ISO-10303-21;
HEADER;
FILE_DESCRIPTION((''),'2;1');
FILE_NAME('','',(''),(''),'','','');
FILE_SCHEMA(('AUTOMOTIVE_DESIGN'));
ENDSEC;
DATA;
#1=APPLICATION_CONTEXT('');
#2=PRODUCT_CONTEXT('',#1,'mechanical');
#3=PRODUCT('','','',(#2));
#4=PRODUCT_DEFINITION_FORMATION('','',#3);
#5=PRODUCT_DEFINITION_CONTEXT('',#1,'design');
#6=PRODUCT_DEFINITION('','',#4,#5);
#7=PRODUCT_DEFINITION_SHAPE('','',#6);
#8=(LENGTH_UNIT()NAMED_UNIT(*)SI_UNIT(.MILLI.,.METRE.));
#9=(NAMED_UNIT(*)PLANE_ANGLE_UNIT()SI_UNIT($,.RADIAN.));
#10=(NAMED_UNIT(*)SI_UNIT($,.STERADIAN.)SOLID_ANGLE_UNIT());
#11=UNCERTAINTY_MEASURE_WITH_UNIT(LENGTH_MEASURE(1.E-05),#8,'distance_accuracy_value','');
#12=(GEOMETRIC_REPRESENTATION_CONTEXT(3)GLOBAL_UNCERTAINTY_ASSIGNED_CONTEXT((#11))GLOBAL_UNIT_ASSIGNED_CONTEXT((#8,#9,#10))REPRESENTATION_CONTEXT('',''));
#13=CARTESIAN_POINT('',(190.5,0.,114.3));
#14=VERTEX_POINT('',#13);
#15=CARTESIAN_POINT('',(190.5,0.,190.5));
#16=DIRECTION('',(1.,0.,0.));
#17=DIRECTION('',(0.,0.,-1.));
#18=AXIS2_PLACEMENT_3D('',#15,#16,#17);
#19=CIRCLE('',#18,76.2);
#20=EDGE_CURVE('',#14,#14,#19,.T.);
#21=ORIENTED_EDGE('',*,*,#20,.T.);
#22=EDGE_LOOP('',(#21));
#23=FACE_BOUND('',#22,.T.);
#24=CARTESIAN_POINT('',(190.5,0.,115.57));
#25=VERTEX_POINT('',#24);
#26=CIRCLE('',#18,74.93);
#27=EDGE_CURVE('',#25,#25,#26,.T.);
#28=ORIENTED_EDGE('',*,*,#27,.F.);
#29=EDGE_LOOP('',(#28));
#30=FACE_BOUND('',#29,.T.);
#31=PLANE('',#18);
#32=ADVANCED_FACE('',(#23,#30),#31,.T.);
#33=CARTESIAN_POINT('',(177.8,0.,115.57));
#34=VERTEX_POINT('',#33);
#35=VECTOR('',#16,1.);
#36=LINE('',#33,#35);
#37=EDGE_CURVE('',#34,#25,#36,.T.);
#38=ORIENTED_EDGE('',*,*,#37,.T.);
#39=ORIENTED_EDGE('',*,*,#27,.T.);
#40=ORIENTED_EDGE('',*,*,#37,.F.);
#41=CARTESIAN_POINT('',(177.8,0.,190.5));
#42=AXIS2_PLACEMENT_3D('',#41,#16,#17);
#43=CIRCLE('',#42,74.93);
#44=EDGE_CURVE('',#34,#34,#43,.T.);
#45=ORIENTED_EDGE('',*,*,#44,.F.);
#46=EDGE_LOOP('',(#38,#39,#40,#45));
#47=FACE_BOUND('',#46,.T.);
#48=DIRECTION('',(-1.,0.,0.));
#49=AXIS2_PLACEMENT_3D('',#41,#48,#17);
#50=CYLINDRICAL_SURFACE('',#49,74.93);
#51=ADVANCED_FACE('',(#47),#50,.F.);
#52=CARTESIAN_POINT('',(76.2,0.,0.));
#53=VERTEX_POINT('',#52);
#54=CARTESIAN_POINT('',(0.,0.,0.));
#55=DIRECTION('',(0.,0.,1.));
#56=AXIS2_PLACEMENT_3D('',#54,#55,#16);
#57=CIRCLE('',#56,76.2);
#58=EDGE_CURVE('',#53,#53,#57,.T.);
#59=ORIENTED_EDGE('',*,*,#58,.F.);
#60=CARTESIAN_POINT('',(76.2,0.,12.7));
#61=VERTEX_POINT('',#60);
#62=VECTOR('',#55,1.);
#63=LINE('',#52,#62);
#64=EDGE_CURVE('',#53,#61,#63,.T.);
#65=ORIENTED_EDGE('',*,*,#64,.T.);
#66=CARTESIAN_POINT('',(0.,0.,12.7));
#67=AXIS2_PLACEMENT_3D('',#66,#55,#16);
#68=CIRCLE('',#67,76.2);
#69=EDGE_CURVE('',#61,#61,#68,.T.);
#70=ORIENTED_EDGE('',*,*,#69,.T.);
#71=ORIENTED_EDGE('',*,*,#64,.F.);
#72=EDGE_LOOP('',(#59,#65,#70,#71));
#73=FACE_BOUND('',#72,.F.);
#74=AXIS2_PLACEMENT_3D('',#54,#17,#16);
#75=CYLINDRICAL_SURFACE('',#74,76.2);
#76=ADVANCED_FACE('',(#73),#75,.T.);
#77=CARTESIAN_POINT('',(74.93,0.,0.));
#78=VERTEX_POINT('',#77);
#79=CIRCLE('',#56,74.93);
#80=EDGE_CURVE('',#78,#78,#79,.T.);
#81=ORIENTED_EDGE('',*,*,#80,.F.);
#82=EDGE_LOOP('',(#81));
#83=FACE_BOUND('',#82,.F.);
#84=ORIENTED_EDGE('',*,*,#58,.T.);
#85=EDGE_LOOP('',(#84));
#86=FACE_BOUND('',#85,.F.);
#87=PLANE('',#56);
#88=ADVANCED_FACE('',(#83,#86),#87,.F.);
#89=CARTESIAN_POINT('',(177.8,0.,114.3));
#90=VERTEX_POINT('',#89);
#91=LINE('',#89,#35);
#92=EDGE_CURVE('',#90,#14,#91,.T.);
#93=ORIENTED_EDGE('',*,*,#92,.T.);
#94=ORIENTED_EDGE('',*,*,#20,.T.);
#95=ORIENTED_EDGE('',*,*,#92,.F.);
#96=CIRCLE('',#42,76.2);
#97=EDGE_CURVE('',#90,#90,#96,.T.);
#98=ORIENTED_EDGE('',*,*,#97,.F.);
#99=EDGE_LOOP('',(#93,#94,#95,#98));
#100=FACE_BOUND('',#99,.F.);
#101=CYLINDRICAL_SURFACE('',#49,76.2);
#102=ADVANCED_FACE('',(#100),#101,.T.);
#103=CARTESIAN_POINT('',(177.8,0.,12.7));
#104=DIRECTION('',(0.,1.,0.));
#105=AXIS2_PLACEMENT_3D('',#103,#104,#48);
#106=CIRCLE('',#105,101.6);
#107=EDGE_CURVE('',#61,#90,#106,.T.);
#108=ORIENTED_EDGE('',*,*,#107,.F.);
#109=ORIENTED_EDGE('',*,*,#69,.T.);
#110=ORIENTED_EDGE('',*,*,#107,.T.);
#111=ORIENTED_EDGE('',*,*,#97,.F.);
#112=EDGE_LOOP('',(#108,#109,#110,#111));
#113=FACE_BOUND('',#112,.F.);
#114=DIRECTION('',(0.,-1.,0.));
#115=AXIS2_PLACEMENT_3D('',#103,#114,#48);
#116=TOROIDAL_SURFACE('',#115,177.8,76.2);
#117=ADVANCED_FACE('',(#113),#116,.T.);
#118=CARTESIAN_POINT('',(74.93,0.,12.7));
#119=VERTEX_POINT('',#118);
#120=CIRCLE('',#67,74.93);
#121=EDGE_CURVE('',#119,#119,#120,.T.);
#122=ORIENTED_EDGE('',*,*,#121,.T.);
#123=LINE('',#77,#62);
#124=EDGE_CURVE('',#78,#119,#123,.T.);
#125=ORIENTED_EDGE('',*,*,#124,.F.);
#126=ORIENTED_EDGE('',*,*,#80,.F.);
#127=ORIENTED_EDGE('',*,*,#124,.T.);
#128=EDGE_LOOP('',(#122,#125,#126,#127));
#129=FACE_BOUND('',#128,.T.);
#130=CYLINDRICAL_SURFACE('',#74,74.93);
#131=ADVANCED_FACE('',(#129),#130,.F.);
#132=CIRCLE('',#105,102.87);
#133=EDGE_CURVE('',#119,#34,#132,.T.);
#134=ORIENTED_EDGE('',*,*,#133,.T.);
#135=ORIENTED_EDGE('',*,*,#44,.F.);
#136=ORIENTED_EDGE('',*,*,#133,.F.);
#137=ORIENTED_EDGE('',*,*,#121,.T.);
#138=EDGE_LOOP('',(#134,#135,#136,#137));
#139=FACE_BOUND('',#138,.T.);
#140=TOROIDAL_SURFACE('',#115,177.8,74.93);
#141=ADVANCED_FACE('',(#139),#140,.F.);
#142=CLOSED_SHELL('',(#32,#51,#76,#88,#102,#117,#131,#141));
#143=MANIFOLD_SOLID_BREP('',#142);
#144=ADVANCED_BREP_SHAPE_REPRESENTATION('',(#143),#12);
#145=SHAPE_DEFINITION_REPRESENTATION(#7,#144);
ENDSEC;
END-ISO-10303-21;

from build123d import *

# Parameters (mm, degrees)
F0_R     = 76.2
F0_R_2   = 74.93
F1_DEPTH = 12.7
F2_R     = 76.2
F2_R_2   = 74.93
F3_ANGLE = 90
F4_DEPTH = 12.7


with BuildPart() as f1:
    # F0 (on Top) → F1 (new body)
    with BuildSketch(Plane.XY):
        Circle(F0_R)
        Circle(F0_R_2, mode=Mode.SUBTRACT)
    extrude(amount=F1_DEPTH)

    # F2 (on face) → F3 (revolve)
    with BuildSketch(Plane.XY.offset(12.7)):
        Circle(F2_R)
        Circle(F2_R_2, mode=Mode.SUBTRACT)
    revolve(axis=Axis((177.8, -2.9342612252, 12.7), (0, 1, 0)), revolution_arc=F3_ANGLE)

    # F4 (add): a face of the model
    f4_faces = [f1.faces().sort_by_distance(p)[0] for p in [
        (177.8, 0, 266.4844738531),
    ]]
    extrude(f4_faces, amount=F4_DEPTH)


solid = f1.part
